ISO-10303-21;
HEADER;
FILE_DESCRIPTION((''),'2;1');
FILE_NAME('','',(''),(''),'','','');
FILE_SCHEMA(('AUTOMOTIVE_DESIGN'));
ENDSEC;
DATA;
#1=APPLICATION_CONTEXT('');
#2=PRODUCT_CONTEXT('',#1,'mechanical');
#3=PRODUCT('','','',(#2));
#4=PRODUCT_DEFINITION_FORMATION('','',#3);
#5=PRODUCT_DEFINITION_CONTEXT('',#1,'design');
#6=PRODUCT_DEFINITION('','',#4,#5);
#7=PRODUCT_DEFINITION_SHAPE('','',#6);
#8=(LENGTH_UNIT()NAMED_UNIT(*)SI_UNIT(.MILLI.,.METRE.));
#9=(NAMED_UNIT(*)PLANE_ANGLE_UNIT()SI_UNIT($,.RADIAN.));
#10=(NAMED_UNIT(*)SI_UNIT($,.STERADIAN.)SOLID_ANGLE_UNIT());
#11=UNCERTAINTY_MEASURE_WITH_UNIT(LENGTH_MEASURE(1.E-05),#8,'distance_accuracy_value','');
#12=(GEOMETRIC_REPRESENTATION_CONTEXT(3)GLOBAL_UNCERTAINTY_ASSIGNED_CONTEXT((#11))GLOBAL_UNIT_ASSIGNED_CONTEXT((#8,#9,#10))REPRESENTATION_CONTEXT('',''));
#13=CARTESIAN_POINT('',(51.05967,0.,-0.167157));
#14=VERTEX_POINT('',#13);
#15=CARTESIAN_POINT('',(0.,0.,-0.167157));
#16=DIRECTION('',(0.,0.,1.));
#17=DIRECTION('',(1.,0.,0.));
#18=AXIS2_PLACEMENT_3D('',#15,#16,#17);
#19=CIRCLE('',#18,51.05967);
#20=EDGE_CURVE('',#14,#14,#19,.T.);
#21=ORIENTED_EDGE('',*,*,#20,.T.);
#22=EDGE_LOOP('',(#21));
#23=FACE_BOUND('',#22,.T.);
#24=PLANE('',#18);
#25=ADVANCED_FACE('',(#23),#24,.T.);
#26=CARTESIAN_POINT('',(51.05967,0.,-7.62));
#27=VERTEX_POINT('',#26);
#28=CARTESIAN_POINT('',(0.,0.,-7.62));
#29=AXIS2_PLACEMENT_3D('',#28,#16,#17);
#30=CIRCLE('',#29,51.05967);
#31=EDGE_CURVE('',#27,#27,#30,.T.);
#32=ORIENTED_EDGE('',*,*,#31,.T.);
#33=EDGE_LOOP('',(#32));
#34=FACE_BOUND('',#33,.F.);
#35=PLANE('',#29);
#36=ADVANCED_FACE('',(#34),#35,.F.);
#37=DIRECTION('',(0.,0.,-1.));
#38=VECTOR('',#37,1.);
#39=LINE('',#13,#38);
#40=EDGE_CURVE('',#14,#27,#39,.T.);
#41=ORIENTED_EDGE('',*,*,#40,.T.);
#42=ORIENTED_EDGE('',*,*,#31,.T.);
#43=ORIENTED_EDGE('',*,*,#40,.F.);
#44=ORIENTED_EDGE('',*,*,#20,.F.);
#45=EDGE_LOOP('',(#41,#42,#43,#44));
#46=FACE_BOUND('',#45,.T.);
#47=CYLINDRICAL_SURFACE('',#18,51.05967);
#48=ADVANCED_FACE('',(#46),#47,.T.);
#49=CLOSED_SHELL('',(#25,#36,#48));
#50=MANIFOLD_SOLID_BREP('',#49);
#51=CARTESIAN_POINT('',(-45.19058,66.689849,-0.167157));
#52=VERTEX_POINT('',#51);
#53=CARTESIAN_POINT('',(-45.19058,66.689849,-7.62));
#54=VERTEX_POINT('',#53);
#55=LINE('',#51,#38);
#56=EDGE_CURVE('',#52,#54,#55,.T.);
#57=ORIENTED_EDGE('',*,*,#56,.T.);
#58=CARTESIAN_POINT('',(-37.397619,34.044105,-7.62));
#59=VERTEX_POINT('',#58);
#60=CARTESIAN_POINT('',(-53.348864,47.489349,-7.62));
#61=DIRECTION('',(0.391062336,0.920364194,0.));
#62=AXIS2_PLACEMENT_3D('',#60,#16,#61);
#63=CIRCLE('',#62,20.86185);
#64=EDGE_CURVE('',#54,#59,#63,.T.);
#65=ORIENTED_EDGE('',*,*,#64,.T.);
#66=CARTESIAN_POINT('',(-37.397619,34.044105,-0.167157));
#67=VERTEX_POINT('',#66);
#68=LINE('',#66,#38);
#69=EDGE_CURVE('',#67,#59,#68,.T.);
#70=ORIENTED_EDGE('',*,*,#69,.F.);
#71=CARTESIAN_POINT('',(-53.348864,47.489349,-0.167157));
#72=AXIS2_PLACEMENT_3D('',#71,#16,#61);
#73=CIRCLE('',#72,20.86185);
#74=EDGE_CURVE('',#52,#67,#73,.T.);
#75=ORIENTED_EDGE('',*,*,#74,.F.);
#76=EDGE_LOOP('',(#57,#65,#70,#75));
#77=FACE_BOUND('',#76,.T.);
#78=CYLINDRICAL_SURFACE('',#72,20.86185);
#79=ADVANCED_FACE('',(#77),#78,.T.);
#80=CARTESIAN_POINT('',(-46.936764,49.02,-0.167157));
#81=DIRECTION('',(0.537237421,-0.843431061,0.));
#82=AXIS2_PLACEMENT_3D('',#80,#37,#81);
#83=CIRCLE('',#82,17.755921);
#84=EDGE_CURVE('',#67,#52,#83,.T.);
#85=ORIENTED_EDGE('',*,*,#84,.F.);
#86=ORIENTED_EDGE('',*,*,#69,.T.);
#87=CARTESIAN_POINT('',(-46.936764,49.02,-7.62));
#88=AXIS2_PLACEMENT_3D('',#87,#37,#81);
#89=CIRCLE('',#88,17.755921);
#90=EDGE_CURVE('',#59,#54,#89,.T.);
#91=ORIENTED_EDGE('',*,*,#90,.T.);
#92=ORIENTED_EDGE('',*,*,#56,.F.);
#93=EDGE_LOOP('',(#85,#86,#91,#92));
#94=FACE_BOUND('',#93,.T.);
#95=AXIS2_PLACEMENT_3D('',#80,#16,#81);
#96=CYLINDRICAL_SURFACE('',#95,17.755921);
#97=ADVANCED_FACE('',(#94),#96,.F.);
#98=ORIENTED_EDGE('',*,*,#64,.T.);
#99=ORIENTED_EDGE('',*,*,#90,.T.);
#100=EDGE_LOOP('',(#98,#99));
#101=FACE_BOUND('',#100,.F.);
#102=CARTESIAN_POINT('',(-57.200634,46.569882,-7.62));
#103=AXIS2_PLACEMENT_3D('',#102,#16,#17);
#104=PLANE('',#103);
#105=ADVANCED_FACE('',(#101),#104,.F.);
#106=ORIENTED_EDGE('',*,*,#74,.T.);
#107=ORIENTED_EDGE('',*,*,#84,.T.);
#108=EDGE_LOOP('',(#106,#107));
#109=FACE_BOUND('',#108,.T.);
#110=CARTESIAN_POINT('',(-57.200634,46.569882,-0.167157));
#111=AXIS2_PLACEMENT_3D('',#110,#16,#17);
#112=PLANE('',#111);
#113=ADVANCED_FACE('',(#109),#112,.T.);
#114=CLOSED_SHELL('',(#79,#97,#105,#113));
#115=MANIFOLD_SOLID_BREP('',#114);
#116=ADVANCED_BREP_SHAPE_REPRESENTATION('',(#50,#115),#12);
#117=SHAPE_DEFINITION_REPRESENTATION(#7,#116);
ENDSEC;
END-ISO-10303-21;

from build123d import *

# Parameters (mm, degrees)
F2_START = -0.1671565697
F0_R     = 51.0596699872
F2_DEPTH = 7.4528434303


with BuildPart() as f2:
    # F0 (on Top) → F2 (new body)
    with BuildSketch(Plane.XY.offset(F2_START)):
        Circle(F0_R)
    extrude(amount=-F2_DEPTH)


with BuildPart() as f2b:
    # F1 (on Top) → F2, piece 2 (new body)
    with BuildSketch(Plane.XY.offset(F2_START)):
        with BuildLine():
            ThreePointArc((-37.3976192057, 34.0441051263), (-64.2074274415, 44.8972695268), (-45.1905801892, 66.6898488998))
            ThreePointArc((-45.1905801892, 66.6898488998), (-73.6405739448, 42.6454555335), (-37.3976192057, 34.0441051263))
        make_face()
    extrude(amount=-F2_DEPTH)


solid = Compound([f2.part, f2b.part])
